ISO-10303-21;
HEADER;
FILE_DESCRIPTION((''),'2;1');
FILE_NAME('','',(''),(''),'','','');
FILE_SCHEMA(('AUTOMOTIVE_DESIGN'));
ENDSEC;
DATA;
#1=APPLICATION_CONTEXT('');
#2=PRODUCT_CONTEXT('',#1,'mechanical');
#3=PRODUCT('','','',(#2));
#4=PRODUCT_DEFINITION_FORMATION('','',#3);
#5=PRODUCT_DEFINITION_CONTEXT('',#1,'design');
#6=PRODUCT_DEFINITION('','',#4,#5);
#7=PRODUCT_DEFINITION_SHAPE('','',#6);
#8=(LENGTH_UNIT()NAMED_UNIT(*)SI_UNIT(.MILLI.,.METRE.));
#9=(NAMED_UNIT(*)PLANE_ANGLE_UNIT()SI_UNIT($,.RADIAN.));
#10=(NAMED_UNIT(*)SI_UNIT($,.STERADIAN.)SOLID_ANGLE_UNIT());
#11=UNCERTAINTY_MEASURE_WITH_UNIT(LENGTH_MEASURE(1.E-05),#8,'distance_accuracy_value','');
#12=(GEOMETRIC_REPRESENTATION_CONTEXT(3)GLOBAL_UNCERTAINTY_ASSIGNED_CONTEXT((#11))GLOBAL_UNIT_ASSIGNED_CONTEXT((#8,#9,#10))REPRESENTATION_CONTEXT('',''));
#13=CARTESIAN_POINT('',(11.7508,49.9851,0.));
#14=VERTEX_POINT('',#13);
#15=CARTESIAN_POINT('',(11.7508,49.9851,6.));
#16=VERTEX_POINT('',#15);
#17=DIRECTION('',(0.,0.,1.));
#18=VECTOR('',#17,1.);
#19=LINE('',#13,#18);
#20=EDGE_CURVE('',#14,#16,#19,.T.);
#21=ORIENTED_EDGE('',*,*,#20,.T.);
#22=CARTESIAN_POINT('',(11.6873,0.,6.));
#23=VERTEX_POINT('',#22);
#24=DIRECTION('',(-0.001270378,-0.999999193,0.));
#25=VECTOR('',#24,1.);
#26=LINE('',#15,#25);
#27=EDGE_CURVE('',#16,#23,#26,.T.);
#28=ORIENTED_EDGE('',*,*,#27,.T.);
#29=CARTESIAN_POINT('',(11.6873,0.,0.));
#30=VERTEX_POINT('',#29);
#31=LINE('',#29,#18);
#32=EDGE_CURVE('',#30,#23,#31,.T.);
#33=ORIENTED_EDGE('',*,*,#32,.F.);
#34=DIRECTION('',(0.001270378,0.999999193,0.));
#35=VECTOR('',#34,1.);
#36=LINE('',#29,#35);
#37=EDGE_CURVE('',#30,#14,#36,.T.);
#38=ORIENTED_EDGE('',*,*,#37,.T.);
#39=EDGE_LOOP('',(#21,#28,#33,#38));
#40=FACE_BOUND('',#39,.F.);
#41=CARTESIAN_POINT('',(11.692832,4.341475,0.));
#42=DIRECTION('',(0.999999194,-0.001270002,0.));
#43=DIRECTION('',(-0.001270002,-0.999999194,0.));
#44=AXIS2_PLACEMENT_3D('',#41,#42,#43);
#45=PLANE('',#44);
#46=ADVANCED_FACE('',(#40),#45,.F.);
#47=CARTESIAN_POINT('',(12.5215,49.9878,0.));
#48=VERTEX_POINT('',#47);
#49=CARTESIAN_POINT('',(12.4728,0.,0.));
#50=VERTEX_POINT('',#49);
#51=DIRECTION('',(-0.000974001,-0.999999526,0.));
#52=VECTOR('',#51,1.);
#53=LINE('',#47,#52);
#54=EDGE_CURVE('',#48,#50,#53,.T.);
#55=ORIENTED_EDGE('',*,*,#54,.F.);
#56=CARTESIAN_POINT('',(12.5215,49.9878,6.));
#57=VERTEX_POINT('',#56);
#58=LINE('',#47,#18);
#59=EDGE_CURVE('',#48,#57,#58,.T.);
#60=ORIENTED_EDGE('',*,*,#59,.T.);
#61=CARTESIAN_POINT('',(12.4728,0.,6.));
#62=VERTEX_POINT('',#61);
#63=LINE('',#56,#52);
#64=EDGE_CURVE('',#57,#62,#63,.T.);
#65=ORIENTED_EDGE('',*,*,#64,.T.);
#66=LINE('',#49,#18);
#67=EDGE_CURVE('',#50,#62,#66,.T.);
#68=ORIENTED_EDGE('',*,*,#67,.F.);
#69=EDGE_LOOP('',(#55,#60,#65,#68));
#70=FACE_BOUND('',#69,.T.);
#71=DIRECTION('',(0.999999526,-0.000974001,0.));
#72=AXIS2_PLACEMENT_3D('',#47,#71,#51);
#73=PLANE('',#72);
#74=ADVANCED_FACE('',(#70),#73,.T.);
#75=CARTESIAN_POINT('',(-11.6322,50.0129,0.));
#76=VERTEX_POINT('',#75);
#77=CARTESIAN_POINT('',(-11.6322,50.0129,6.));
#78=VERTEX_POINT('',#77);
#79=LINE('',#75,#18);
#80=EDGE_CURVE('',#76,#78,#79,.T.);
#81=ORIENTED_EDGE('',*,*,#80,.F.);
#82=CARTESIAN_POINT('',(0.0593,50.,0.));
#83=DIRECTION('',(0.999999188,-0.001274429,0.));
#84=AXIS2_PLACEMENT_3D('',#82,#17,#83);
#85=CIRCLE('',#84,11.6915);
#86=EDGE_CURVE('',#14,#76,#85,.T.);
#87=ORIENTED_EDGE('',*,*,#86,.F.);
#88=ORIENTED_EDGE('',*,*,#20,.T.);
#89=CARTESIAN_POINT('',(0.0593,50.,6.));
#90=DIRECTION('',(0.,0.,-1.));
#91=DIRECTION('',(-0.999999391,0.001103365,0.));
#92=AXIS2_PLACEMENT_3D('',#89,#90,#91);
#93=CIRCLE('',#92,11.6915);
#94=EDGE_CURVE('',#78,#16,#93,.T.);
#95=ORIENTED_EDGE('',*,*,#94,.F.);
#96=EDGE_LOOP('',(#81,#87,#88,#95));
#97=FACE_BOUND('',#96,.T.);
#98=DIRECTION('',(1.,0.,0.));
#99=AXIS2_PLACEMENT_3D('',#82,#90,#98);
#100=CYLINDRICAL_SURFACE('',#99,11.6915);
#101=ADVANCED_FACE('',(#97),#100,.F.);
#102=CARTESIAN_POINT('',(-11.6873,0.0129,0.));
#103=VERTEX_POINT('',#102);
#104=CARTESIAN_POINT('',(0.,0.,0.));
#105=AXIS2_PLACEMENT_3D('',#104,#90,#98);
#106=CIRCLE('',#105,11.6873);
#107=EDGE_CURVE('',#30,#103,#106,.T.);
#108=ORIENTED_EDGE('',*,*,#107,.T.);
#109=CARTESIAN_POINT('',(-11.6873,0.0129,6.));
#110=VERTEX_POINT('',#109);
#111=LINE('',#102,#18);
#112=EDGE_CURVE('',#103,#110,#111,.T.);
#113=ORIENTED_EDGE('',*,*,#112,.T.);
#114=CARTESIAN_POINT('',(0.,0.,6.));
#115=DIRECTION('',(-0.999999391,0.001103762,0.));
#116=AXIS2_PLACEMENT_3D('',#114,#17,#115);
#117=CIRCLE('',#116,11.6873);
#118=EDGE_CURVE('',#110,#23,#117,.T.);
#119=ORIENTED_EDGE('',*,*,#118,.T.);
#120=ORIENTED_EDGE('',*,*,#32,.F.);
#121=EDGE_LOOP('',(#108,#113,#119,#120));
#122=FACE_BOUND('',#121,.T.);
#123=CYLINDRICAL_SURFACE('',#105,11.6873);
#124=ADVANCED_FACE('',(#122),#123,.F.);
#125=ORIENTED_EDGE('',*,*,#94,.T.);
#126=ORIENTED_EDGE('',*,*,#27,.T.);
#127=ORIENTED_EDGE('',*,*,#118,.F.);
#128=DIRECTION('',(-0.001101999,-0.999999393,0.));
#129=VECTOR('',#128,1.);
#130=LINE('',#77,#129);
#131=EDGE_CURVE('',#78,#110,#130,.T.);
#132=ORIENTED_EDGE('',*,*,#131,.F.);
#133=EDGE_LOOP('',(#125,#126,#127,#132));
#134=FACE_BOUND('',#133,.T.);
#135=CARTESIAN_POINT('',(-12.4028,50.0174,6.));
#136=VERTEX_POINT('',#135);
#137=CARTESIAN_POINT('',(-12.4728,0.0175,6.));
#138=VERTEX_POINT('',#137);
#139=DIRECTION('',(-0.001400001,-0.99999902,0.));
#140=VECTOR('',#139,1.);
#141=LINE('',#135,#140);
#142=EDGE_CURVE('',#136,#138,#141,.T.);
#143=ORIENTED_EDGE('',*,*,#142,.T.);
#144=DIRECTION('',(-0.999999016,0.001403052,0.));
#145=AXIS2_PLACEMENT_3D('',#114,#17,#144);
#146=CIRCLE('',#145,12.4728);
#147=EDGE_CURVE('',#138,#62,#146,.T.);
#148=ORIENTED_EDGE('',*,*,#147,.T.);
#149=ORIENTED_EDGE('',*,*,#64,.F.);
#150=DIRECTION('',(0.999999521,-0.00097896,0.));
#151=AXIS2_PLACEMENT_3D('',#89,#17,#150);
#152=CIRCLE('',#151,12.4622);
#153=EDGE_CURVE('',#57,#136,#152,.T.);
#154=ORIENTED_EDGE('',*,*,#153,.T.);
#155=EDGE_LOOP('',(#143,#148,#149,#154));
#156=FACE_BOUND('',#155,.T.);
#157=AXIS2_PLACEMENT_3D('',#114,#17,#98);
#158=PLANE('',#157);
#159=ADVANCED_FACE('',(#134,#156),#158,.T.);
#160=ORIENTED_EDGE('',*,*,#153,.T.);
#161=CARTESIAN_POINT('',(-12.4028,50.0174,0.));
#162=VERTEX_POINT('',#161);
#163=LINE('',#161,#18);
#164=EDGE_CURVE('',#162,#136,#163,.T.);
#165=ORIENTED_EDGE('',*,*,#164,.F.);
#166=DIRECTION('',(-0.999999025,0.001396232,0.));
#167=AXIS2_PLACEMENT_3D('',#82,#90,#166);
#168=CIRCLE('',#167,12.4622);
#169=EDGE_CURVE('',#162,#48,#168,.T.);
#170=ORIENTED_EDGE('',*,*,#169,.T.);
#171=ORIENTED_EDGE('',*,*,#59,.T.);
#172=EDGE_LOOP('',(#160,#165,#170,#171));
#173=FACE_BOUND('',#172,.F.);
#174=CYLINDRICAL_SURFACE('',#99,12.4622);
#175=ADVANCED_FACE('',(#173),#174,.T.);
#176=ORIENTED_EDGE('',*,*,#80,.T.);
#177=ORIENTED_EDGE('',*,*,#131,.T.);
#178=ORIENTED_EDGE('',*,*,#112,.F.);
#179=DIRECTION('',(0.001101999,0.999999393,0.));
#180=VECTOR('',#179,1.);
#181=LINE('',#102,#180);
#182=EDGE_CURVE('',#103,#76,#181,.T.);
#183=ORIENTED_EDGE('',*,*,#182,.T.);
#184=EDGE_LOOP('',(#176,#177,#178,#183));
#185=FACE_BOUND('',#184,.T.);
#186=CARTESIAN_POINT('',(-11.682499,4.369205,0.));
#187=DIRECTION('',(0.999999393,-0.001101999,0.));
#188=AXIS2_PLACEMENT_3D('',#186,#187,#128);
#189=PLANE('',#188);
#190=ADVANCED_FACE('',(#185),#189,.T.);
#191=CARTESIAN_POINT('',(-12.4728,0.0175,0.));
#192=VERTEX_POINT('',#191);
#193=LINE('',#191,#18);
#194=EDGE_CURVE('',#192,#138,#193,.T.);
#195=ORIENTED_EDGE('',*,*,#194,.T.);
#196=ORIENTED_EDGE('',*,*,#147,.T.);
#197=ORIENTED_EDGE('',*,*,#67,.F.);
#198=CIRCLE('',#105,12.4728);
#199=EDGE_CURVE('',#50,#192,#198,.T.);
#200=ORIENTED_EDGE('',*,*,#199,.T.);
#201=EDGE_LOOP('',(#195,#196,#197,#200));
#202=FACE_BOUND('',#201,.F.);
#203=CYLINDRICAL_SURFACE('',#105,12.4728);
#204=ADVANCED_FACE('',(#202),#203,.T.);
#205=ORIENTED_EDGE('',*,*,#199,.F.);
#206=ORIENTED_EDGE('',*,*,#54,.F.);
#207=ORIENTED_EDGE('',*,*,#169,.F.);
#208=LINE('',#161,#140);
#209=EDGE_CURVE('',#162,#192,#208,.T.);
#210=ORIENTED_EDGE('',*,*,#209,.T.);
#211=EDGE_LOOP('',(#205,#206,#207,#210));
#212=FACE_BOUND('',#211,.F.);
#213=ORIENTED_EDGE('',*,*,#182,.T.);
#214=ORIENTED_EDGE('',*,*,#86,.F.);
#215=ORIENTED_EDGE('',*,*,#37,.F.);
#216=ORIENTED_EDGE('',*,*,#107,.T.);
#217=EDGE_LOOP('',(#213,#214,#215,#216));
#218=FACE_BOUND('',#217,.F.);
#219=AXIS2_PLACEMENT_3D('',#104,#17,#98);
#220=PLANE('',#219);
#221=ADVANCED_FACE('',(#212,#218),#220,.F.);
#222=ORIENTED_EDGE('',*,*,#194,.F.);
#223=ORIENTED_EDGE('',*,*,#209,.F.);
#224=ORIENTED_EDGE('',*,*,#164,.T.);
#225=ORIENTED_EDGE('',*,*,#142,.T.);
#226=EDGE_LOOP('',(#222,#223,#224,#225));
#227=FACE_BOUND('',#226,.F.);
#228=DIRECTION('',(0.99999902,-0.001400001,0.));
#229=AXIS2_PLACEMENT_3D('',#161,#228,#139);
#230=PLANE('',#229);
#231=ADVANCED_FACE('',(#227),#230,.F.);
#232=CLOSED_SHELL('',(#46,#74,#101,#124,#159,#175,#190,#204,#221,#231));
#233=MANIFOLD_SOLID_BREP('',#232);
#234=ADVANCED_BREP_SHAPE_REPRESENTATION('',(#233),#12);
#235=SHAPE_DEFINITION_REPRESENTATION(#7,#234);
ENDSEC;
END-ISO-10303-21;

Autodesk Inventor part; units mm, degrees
ref_plane "YZ Plane" through (0, 0, 0) normal (1, 0, 0) x (0, 1, 0)
ref_plane "XZ Plane" through (0, 0, 0) normal (0, 1, 0) x (-1, 0, 0)
ref_plane "XY Plane" through (0, 0, 0) normal (0, 0, 1) x (1, 0, 0)
sketch "Эскиз1" plane through (0, 0, 0) normal (0, 0, 1) x (1, 0, 0)
  spline S0 degree 3 number of poles 571 construction
  circle A0 centre (0, 0) radius 12.4728
  circle A1 centre (0, 0) radius 11.6873
  spline S1 degree 3 number of poles 571 construction
  circle A2 centre (0.0593, 50) radius 3.05 construction
  circle A3 centre (0.0593, 50) radius 12.4622
  circle A4 centre (0.0593, 50) radius 11.6915
  line L0 (12.5215, 49.9878) -> (12.4728, -0.0121)
  line L1 (-12.4028, 50.0174) -> (-12.4728, 0.0175)
  line L2 (-11.6322, 50.0129) -> (-11.6873, 0.0129)
  line L3 (-11.6921, -4.3435) -> (-11.689, -1.4984)
  line L4 (11.7508, 49.9851) -> (11.6873, -0.0148)
  line L5 (0, 0) -> (-30.3964, 0.0335) construction
  point P0 (-23.5791, 58.2576)
  point P1 (2.2116, 51.4848)
  point P2 (12.4728, 0)
  dimension "d0" = 24.9244
  dimension "d1" = 24.9457
  dimension "d2" = 23.383
  dimension "d3" = 23.3746
  dimension "d6" = 50
extrude "Выдавливание1" add sketch "Эскиз1" along normal blind 6 contours A0 L2 A1 L4 | L1 A3 L2 A0 | A3 L4 A4 L2 | L4 A3 L0 A0 picked at (-11.8082, -1.4117) picked at (12.144, 50.9937)
properties part number "Ремень"
